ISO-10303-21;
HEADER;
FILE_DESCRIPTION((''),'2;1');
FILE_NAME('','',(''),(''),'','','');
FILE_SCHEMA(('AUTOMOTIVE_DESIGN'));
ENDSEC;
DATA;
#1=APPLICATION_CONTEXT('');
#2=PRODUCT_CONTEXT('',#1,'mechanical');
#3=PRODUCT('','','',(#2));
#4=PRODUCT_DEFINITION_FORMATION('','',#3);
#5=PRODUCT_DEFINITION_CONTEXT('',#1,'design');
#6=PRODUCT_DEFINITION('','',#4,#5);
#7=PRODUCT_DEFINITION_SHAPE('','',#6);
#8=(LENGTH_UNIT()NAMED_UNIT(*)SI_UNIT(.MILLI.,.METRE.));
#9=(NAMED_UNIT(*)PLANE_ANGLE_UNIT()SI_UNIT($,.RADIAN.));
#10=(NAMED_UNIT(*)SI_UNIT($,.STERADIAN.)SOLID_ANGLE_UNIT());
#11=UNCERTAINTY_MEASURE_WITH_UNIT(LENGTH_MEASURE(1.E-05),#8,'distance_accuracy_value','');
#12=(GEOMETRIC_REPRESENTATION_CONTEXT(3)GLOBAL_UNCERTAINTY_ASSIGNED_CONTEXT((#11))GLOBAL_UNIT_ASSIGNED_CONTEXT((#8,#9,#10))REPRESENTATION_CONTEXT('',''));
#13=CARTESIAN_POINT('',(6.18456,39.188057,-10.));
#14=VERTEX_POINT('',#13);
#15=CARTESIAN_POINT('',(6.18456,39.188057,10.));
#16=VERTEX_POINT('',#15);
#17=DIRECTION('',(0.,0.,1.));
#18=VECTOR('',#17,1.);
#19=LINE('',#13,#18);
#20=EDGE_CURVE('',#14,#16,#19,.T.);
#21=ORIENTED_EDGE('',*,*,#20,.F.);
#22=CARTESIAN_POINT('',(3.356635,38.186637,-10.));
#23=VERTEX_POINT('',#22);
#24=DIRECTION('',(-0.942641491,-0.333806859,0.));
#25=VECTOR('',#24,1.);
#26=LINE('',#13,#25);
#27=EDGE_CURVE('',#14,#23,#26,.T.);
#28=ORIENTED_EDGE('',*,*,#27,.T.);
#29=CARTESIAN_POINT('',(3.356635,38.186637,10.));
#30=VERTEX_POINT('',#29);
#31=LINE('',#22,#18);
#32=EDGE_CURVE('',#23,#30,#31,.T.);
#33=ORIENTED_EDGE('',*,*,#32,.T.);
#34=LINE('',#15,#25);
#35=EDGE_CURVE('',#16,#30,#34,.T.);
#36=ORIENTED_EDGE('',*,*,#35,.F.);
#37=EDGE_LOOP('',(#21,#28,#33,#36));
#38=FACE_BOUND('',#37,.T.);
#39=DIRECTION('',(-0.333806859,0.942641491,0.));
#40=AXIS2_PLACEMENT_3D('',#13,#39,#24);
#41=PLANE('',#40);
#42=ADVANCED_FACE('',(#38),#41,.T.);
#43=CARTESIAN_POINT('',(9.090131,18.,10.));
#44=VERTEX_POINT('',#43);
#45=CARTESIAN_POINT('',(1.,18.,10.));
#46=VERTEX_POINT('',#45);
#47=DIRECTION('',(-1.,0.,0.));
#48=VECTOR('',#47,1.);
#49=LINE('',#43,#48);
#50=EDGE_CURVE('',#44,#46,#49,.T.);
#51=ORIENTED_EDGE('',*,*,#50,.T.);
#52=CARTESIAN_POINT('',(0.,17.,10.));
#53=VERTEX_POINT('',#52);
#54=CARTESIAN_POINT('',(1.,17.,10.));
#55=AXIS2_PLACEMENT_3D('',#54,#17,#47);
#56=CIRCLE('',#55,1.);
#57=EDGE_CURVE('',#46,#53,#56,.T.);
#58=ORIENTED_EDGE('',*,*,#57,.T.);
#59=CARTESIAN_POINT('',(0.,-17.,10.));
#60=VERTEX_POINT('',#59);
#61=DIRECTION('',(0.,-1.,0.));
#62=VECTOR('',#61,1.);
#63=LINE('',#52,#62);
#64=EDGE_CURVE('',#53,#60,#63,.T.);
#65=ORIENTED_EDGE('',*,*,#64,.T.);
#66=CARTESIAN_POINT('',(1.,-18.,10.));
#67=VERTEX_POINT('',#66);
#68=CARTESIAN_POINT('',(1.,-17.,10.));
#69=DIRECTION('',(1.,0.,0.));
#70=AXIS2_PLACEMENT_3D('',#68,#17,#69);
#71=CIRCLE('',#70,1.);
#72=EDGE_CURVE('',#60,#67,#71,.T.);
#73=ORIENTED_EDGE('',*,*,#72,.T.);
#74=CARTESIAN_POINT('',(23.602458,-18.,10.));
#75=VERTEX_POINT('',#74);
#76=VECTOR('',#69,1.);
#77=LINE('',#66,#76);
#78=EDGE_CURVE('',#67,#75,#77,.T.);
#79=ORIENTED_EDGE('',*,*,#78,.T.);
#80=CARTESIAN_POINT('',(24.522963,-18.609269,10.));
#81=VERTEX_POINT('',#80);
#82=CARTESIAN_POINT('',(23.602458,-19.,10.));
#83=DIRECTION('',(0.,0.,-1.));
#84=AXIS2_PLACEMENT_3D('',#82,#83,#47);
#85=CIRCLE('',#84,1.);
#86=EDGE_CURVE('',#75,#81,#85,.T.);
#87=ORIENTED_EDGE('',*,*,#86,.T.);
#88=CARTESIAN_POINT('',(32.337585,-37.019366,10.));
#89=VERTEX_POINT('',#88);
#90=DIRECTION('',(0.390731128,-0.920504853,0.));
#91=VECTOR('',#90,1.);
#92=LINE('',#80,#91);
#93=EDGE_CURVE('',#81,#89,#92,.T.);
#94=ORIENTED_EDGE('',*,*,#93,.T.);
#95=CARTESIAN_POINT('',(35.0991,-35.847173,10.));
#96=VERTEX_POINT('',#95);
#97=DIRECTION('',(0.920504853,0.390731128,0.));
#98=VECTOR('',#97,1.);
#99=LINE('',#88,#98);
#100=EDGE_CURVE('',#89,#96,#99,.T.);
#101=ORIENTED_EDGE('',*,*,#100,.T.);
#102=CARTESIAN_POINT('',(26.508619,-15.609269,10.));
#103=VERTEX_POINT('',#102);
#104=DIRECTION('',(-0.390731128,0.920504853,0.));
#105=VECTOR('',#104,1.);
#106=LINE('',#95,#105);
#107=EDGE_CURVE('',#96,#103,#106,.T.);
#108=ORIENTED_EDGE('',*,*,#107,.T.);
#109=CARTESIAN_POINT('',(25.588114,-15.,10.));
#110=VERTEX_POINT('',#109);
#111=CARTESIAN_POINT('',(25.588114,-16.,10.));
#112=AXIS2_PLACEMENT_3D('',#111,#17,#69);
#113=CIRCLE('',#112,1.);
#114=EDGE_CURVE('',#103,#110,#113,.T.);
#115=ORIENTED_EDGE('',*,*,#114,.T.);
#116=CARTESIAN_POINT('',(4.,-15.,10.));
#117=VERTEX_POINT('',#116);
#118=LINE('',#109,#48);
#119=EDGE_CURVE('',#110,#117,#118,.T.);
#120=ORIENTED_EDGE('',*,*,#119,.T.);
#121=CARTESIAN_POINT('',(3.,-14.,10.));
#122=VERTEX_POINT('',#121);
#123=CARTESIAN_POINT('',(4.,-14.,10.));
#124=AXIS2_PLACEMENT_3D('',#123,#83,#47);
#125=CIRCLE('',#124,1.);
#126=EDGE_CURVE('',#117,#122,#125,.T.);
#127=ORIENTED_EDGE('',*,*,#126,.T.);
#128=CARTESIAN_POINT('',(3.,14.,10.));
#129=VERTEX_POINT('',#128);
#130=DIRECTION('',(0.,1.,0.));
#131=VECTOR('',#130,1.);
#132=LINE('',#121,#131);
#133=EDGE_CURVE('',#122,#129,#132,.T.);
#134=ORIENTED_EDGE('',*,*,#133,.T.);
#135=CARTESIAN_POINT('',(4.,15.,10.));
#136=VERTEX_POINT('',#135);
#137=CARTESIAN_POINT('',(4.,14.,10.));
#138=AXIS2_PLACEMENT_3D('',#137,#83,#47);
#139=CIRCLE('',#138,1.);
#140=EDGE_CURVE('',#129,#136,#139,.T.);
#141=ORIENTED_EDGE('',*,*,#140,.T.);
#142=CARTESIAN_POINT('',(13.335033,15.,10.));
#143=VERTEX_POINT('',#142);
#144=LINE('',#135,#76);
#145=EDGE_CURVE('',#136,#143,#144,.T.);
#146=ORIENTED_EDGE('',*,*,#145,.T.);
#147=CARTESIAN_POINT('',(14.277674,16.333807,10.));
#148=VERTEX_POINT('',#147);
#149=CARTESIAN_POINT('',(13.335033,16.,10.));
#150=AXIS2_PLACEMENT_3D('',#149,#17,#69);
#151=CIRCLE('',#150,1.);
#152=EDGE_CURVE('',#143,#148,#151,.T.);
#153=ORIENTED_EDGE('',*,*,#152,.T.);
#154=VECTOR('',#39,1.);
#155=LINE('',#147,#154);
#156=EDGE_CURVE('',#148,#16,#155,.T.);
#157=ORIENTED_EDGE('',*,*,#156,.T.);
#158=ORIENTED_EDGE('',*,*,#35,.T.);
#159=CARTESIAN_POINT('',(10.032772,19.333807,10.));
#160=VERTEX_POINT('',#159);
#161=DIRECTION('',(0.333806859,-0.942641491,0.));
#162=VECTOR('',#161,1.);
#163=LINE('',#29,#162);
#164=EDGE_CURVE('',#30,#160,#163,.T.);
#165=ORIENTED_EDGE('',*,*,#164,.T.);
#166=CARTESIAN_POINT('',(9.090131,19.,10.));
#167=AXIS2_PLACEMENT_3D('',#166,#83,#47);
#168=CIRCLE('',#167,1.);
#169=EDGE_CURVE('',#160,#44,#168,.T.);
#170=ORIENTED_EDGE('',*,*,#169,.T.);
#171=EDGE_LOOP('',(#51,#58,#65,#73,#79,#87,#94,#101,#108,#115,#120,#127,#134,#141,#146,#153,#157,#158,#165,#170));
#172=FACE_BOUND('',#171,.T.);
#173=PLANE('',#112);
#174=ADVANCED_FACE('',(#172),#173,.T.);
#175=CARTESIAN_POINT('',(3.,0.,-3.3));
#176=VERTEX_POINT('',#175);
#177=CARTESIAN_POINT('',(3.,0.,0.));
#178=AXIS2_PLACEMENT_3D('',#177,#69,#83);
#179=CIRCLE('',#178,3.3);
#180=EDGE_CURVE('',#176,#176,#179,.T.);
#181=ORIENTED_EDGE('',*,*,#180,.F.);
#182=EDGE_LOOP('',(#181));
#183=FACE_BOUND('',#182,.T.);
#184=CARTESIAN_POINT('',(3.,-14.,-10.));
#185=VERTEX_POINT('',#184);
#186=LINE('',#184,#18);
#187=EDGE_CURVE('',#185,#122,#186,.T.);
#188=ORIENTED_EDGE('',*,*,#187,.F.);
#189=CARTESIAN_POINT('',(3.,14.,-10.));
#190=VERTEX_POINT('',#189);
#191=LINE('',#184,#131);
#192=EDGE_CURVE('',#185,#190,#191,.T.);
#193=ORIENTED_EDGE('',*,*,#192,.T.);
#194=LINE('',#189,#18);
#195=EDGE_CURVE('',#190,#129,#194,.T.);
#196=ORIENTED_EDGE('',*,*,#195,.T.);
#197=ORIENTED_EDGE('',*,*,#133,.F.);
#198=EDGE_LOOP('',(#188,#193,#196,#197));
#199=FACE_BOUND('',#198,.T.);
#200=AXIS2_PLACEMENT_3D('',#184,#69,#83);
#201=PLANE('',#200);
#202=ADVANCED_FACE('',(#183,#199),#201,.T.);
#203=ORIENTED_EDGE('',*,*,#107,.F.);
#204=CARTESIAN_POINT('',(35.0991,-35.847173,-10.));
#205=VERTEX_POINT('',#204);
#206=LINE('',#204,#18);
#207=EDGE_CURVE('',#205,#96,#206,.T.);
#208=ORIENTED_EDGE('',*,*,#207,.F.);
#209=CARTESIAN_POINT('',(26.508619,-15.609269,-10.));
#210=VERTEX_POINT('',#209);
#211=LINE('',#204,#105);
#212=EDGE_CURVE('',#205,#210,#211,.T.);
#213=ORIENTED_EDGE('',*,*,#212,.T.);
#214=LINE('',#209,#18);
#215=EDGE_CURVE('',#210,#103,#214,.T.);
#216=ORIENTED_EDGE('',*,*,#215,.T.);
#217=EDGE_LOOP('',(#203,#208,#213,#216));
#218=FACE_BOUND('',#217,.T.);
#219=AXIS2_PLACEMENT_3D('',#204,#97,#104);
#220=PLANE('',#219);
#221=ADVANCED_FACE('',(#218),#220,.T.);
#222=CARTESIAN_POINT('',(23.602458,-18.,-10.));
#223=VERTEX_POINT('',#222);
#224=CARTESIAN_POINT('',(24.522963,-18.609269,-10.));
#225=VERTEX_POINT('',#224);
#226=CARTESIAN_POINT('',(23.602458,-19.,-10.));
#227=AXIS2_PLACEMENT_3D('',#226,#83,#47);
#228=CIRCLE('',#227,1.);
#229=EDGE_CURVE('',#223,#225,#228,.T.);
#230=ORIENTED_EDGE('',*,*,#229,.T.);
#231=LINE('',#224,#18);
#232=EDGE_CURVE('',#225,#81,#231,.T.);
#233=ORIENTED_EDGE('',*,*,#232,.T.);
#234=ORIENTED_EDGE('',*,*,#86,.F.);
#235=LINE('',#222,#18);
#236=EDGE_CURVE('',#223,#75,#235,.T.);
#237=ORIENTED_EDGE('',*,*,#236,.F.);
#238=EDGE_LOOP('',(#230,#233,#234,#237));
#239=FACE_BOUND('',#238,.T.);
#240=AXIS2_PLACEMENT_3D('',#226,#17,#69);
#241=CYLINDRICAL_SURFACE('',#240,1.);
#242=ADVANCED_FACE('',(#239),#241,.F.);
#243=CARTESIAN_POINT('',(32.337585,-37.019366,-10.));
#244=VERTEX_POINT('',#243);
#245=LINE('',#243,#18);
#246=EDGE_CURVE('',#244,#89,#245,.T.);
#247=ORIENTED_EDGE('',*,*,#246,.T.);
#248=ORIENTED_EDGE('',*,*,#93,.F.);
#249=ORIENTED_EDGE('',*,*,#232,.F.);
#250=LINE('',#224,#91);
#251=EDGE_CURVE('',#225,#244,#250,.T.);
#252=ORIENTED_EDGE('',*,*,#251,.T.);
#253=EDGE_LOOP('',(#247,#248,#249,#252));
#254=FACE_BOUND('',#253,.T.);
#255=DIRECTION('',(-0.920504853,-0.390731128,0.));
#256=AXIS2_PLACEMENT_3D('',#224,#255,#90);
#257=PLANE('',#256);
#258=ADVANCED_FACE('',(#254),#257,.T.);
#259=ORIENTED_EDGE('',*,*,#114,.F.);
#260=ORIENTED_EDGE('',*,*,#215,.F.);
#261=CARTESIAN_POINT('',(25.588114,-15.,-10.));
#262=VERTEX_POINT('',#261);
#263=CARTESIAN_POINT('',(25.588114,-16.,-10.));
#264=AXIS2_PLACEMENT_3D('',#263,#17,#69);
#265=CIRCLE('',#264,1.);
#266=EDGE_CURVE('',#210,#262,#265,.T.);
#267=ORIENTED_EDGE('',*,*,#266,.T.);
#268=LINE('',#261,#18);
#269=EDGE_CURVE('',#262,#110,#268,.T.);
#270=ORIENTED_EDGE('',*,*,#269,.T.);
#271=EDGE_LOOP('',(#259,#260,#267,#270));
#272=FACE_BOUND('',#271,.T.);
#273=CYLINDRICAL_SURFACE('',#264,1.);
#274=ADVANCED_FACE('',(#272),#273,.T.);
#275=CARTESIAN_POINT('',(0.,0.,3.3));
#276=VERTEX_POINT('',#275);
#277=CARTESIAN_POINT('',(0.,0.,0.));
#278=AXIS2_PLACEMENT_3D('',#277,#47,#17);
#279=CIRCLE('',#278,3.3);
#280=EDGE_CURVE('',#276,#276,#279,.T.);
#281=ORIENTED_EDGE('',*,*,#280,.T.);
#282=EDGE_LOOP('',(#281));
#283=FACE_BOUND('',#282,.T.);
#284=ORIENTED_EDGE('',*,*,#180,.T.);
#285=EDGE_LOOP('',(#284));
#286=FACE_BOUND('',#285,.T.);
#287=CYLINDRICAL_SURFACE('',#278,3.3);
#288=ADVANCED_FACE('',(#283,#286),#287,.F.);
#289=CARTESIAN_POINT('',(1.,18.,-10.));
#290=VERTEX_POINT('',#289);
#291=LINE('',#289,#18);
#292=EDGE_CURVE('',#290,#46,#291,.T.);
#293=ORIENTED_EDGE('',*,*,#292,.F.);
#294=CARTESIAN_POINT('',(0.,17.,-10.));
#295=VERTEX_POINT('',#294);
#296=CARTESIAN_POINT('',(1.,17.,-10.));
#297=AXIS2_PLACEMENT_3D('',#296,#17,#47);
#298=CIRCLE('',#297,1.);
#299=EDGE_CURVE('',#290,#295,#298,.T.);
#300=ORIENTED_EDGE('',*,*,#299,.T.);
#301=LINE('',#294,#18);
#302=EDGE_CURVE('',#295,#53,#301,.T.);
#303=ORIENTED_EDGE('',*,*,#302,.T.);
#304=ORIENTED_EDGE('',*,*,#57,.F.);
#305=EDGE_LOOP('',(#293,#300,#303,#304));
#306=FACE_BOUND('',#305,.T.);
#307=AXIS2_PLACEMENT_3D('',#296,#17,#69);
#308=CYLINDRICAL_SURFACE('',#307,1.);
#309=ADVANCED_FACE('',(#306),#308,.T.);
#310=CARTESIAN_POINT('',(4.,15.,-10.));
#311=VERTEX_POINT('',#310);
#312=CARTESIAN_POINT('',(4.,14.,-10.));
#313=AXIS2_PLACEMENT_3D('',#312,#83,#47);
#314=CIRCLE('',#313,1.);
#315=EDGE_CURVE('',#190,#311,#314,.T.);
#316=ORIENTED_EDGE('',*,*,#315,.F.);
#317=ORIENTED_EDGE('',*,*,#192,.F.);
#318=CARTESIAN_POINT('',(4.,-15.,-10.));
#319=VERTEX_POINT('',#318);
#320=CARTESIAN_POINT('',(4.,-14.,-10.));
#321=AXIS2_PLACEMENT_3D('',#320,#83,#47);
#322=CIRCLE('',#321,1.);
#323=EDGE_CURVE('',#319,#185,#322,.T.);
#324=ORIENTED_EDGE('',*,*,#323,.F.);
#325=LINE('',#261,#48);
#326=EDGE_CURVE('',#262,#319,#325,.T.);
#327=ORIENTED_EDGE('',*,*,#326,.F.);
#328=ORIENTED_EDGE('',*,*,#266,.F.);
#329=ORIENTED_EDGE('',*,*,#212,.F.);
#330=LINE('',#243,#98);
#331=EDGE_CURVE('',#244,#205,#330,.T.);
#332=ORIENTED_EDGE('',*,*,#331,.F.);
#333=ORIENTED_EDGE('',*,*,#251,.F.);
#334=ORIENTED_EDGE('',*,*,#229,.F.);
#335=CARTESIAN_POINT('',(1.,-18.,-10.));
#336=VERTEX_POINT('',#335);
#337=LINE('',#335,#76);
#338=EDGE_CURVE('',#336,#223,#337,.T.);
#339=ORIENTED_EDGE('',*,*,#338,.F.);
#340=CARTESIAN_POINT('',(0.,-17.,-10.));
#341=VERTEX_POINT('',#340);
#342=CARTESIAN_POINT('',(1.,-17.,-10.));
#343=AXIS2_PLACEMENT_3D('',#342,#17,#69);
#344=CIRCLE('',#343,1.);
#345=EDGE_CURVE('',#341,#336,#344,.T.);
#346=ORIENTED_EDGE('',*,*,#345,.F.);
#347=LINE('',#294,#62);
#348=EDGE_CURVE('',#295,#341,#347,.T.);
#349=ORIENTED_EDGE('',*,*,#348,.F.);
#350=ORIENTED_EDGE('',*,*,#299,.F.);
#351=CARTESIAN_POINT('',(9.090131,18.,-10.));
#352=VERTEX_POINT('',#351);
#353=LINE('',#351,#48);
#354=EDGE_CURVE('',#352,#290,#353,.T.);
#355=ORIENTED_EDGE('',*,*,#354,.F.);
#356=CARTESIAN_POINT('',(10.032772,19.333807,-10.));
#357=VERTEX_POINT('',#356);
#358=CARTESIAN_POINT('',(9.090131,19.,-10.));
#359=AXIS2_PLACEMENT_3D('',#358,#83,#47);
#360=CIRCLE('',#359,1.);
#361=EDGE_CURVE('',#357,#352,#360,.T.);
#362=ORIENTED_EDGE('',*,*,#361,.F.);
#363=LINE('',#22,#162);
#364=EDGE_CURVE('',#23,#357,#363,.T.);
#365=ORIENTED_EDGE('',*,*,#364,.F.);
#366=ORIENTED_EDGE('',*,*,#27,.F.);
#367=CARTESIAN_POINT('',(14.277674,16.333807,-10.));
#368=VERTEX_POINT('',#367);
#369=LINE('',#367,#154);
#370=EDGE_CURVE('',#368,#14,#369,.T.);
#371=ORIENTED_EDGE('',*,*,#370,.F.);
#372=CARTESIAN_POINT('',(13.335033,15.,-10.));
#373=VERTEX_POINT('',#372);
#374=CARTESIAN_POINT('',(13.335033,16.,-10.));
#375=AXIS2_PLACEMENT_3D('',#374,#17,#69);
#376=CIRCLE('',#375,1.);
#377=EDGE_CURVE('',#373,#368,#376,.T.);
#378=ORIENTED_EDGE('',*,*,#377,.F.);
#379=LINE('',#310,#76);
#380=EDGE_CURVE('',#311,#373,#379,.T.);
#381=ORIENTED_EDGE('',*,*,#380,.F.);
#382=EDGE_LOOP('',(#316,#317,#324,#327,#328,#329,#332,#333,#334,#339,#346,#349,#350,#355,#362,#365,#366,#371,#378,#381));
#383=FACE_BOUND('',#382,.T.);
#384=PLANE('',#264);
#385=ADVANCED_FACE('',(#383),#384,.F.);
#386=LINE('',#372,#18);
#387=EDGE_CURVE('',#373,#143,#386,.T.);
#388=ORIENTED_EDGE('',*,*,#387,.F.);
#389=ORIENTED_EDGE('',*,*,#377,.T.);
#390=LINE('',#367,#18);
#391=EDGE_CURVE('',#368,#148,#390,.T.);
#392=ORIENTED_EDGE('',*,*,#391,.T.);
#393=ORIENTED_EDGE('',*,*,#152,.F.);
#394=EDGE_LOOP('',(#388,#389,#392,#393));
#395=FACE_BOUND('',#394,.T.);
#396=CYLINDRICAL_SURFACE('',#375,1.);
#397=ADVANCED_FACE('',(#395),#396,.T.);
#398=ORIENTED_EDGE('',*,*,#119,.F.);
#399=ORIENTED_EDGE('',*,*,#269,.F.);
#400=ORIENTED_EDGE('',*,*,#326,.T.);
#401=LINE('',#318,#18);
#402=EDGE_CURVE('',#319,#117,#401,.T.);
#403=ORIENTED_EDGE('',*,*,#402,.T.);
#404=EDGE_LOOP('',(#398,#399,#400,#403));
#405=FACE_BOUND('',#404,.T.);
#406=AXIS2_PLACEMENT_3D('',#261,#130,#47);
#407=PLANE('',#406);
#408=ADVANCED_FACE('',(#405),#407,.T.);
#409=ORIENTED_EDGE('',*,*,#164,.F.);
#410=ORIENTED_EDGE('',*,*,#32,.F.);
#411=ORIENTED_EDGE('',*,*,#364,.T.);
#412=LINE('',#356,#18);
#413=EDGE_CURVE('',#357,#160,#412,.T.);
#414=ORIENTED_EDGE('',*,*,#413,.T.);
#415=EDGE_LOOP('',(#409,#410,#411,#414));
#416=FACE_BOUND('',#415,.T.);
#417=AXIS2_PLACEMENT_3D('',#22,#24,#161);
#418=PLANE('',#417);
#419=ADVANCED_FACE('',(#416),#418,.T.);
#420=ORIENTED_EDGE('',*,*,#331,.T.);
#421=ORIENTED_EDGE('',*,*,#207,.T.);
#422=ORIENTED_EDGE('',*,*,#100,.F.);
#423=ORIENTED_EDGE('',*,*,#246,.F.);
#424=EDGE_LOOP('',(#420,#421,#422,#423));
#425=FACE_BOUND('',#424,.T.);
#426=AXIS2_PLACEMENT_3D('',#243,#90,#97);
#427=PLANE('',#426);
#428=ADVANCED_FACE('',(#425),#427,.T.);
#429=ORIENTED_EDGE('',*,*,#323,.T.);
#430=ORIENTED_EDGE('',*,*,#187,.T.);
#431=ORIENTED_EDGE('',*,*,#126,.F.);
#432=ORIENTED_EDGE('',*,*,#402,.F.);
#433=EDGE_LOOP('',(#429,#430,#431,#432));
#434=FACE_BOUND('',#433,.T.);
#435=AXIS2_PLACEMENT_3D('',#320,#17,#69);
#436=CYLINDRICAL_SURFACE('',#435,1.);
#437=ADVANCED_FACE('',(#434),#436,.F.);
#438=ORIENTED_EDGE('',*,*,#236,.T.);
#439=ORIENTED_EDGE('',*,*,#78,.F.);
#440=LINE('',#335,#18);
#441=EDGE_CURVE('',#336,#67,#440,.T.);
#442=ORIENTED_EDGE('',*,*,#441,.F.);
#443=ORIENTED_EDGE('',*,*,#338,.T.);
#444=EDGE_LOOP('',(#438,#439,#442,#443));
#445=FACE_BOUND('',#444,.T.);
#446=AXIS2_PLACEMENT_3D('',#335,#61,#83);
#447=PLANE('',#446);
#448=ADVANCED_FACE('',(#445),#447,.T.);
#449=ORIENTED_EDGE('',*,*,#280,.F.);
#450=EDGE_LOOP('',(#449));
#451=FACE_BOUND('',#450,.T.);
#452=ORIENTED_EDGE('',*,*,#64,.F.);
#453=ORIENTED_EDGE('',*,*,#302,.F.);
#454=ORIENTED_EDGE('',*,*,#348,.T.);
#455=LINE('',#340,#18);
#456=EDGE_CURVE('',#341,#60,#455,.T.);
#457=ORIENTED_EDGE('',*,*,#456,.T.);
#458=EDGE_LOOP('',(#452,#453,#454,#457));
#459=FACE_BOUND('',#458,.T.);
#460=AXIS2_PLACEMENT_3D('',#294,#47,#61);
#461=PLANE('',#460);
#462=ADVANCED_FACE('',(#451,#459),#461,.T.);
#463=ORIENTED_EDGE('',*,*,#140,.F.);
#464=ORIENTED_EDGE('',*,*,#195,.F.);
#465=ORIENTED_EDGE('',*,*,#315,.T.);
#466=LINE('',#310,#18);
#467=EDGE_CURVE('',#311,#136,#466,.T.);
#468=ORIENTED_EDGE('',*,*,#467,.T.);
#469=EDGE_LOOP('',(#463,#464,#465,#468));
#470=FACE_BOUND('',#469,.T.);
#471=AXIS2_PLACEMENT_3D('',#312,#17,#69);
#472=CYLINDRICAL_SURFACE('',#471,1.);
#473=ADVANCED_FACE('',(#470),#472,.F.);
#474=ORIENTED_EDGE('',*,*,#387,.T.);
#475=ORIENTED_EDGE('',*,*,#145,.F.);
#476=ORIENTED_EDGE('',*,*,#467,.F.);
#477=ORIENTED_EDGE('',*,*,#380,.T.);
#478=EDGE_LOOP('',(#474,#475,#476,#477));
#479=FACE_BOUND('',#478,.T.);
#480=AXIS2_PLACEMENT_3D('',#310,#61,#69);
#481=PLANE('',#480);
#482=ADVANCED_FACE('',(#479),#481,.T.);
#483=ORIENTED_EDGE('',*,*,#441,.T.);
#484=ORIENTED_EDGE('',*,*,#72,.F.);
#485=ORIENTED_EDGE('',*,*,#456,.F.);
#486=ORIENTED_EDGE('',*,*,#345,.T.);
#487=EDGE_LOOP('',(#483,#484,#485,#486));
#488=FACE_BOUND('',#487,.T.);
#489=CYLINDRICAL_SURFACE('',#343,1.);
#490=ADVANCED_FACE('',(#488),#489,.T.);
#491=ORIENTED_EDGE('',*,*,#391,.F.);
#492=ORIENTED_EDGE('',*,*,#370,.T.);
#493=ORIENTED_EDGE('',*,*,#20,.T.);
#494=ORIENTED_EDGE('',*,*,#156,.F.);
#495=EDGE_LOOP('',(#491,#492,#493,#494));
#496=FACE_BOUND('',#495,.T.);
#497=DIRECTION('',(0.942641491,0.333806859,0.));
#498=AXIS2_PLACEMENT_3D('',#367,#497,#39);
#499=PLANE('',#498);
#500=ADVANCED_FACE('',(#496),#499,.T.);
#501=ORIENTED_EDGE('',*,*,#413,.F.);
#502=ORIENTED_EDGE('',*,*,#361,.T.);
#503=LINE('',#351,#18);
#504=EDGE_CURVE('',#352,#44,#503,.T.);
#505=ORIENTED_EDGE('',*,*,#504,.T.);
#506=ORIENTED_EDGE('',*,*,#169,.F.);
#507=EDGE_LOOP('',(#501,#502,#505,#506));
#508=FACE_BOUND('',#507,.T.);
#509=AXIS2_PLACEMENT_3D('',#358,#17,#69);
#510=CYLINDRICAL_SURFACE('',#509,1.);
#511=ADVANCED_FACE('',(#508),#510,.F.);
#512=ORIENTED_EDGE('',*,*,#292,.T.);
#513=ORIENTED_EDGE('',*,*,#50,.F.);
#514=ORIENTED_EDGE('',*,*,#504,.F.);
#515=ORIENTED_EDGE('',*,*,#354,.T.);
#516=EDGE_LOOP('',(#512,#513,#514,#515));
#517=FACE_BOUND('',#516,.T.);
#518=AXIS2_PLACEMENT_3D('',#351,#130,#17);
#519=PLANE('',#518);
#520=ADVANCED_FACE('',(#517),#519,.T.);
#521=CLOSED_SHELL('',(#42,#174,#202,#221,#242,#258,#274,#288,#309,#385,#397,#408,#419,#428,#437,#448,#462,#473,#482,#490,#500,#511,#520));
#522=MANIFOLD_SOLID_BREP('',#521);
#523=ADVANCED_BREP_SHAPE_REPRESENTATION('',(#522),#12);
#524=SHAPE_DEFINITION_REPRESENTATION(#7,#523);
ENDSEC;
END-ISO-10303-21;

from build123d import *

# Parameters (mm, degrees)
EXTRUDE_1_DEPTH      = 10
EXTRUDE_1_DEPTH_BACK = 10
HOLE_WIZARD_M61_D    = 6.6


with BuildPart() as part:
    # Эскиз1 → Бобышка-Вытянуть1 (new, two sides: drawn at the far end of the back side and taken through both)
    with BuildSketch(Plane.XY.offset(-EXTRUDE_1_DEPTH_BACK)):
        with BuildLine():
            Line((0, 17), (0, -17))
            ThreePointArc((0, -17), (0.292893219, -17.707106781), (1, -18))
            Line((1, -18), (23.602457755, -18))
            ThreePointArc((23.602457755, -18), (24.154394741, -18.166114178), (24.522962609, -18.609268872))
            Line((24.522962609, -18.609268872), (32.337585178, -37.019365941))
            Line((32.337585178, -37.019365941), (35.099099739, -35.847172555))
            Line((35.099099739, -35.847172555), (26.508619292, -15.609268872))
            ThreePointArc((26.508619292, -15.609268872), (26.140051424, -15.166114178), (25.588114439, -15))
            Line((25.588114439, -15), (4, -15))
            ThreePointArc((4, -15), (3.292893219, -14.707106781), (3, -14))
            Line((3, -14), (3, 14))
            ThreePointArc((3, 14), (3.292893219, 14.707106781), (4, 15))
            Line((4, 15), (13.335032728, 15))
            ThreePointArc((13.335032728, 15), (14.151674283, 15.42285481), (14.277674219, 16.333806859))
            Line((14.277674219, 16.333806859), (6.184559691, 39.188057259))
            Line((6.184559691, 39.188057259), (3.356635218, 38.186636681))
            Line((3.356635218, 38.186636681), (10.032772403, 19.333806859))
            ThreePointArc((10.032772403, 19.333806859), (9.906772467, 18.42285481), (9.090130912, 18))
            Line((9.090130912, 18), (1, 18))
            ThreePointArc((1, 18), (0.292893219, 17.707106781), (0, 17))
        make_face()
    extrude(amount=EXTRUDE_1_DEPTH + EXTRUDE_1_DEPTH_BACK)

    # Отверстие с зазором M61 (through all)
    with Locations(Plane(origin=(0, 0, 0), x_dir=(0, -1, 0), z_dir=(-1, 0, 0))):
        with Locations((0, 0)):
            Hole(HOLE_WIZARD_M61_D / 2)


solid = part.part
